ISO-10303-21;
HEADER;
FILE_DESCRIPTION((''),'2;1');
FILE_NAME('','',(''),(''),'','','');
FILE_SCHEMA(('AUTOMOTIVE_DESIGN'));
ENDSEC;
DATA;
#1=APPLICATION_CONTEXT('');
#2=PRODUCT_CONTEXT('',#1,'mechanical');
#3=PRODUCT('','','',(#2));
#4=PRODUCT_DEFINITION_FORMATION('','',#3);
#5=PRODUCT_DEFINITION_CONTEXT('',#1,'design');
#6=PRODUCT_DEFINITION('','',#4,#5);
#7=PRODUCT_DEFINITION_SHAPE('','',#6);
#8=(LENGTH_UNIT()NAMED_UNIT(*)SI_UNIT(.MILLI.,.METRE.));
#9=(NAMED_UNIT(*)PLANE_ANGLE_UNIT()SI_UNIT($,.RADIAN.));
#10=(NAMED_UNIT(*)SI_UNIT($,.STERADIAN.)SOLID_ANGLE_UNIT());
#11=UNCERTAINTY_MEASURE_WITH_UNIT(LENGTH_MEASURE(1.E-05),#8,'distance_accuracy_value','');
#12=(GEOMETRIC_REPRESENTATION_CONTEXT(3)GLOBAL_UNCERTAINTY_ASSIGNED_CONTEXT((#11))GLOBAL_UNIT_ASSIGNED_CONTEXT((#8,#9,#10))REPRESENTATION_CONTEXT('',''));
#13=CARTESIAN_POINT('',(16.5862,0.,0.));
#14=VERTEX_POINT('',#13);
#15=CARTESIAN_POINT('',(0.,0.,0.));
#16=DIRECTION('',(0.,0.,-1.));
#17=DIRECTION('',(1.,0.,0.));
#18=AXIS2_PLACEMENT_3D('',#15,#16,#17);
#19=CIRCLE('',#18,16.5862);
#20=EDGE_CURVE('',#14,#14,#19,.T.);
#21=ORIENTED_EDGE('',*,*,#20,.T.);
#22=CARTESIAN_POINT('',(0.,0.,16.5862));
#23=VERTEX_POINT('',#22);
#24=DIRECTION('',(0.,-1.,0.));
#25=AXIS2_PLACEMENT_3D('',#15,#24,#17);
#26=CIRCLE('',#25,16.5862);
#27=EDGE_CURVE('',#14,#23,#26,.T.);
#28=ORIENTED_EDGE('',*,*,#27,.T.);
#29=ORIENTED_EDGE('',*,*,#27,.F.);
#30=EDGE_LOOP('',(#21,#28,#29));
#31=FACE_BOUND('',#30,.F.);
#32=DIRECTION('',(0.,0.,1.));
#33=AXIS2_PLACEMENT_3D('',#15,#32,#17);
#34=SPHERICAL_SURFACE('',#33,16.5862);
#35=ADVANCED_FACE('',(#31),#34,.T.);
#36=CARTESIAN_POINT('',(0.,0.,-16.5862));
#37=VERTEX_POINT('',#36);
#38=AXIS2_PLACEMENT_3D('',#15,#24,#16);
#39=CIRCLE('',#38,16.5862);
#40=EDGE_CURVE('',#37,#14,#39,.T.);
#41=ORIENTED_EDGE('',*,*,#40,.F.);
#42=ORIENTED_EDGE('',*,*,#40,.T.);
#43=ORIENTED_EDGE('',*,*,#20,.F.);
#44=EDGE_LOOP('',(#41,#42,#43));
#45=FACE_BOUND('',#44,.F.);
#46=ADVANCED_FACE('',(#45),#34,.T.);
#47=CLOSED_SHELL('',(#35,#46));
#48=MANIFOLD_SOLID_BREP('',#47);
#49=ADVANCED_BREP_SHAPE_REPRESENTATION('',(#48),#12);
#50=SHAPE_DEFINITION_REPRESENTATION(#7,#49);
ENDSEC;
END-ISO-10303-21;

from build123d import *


with BuildPart() as f2:
    # F0 (on Front) → F2 (revolve)
    with BuildSketch(Plane.XZ):
        with BuildLine():
            Line((16.5862, 0), (0, 0))
            Line((0, 0), (0, -16.5862))
            ThreePointArc((0, -16.5862), (11.7282144941, -11.7282144941), (16.5862, 0))
        make_face()
        with BuildLine():
            Line((0, 16.5862), (0, 0))
            Line((0, 0), (16.5862, 0))
            ThreePointArc((16.5862, 0), (11.7282144941, 11.7282144941), (0, 16.5862))
        make_face()
    revolve(axis=Axis((0, 0, -114.5839616656), (0, 0, -1)))


solid = f2.part
